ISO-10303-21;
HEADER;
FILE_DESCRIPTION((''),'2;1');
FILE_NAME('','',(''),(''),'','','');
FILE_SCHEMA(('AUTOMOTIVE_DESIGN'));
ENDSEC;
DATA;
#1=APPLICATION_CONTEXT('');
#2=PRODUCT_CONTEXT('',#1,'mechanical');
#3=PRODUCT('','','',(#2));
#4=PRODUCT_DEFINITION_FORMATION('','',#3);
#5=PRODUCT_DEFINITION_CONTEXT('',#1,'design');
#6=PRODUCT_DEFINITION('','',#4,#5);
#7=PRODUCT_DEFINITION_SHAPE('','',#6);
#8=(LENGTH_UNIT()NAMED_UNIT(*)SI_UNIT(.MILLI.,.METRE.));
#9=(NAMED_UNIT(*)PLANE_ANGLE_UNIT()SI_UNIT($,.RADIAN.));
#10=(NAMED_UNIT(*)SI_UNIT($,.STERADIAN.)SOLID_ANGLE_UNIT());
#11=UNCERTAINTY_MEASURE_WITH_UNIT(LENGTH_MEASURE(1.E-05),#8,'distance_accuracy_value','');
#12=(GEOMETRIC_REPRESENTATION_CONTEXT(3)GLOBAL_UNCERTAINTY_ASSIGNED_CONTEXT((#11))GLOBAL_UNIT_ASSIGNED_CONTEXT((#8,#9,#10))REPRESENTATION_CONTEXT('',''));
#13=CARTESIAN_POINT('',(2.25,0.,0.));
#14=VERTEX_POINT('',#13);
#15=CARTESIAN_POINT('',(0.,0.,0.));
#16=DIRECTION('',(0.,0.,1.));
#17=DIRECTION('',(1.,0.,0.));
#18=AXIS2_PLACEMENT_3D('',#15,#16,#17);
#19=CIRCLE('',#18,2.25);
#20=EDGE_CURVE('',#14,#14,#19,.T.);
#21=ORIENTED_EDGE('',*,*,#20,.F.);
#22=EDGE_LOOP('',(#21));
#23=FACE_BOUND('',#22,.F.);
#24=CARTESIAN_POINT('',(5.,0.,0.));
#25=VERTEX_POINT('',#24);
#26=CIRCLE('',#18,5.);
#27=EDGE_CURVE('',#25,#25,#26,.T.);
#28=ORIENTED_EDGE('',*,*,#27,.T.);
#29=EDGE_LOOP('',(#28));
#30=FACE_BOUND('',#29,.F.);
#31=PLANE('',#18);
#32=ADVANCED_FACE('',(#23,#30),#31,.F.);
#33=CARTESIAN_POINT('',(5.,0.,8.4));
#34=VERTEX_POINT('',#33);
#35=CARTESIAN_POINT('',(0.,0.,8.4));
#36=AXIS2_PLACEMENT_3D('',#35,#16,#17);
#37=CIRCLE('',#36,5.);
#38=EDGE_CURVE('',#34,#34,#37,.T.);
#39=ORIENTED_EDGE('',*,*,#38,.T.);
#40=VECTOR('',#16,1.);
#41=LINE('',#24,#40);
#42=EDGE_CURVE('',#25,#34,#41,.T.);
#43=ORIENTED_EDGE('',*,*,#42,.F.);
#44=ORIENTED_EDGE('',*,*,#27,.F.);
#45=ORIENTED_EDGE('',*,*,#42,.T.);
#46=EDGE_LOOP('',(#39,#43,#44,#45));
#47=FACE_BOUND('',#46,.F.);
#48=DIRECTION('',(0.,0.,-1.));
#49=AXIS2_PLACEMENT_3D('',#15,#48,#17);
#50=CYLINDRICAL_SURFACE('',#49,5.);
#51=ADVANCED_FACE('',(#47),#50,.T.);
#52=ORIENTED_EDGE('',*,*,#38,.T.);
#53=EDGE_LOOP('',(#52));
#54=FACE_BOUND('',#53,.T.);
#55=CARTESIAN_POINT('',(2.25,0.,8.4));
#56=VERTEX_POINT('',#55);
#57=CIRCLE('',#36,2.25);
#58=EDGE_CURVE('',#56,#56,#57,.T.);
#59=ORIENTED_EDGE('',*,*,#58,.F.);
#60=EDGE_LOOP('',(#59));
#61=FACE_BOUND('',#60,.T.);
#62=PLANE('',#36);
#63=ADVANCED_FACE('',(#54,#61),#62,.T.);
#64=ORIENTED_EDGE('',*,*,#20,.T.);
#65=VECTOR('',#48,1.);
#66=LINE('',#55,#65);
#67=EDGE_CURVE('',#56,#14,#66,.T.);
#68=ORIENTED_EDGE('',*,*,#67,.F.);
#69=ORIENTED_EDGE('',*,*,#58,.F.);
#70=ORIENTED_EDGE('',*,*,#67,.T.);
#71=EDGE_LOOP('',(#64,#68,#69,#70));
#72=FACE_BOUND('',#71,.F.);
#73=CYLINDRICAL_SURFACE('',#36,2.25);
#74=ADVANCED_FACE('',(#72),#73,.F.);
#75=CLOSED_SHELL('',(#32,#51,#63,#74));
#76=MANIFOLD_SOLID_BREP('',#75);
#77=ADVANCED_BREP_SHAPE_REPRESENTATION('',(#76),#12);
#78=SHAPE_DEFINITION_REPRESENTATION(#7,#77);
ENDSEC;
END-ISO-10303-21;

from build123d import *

# Parameters (mm, degrees)
SKETCH_R     = 5
PAD_DEPTH    = 8.4
SKETCH001_R  = 2.25
POCKET_DEPTH = 8.401


with BuildPart() as part:
    # Sketch → Pad (new body)
    with BuildSketch(Plane.XY):
        Circle(SKETCH_R)
    extrude(amount=PAD_DEPTH)

    # Sketch001 → Pocket (cut, through all)
    with BuildSketch(Plane.XY.offset(8.4)):
        Circle(SKETCH001_R)
    extrude(amount=-POCKET_DEPTH, mode=Mode.SUBTRACT)


solid = part.part
